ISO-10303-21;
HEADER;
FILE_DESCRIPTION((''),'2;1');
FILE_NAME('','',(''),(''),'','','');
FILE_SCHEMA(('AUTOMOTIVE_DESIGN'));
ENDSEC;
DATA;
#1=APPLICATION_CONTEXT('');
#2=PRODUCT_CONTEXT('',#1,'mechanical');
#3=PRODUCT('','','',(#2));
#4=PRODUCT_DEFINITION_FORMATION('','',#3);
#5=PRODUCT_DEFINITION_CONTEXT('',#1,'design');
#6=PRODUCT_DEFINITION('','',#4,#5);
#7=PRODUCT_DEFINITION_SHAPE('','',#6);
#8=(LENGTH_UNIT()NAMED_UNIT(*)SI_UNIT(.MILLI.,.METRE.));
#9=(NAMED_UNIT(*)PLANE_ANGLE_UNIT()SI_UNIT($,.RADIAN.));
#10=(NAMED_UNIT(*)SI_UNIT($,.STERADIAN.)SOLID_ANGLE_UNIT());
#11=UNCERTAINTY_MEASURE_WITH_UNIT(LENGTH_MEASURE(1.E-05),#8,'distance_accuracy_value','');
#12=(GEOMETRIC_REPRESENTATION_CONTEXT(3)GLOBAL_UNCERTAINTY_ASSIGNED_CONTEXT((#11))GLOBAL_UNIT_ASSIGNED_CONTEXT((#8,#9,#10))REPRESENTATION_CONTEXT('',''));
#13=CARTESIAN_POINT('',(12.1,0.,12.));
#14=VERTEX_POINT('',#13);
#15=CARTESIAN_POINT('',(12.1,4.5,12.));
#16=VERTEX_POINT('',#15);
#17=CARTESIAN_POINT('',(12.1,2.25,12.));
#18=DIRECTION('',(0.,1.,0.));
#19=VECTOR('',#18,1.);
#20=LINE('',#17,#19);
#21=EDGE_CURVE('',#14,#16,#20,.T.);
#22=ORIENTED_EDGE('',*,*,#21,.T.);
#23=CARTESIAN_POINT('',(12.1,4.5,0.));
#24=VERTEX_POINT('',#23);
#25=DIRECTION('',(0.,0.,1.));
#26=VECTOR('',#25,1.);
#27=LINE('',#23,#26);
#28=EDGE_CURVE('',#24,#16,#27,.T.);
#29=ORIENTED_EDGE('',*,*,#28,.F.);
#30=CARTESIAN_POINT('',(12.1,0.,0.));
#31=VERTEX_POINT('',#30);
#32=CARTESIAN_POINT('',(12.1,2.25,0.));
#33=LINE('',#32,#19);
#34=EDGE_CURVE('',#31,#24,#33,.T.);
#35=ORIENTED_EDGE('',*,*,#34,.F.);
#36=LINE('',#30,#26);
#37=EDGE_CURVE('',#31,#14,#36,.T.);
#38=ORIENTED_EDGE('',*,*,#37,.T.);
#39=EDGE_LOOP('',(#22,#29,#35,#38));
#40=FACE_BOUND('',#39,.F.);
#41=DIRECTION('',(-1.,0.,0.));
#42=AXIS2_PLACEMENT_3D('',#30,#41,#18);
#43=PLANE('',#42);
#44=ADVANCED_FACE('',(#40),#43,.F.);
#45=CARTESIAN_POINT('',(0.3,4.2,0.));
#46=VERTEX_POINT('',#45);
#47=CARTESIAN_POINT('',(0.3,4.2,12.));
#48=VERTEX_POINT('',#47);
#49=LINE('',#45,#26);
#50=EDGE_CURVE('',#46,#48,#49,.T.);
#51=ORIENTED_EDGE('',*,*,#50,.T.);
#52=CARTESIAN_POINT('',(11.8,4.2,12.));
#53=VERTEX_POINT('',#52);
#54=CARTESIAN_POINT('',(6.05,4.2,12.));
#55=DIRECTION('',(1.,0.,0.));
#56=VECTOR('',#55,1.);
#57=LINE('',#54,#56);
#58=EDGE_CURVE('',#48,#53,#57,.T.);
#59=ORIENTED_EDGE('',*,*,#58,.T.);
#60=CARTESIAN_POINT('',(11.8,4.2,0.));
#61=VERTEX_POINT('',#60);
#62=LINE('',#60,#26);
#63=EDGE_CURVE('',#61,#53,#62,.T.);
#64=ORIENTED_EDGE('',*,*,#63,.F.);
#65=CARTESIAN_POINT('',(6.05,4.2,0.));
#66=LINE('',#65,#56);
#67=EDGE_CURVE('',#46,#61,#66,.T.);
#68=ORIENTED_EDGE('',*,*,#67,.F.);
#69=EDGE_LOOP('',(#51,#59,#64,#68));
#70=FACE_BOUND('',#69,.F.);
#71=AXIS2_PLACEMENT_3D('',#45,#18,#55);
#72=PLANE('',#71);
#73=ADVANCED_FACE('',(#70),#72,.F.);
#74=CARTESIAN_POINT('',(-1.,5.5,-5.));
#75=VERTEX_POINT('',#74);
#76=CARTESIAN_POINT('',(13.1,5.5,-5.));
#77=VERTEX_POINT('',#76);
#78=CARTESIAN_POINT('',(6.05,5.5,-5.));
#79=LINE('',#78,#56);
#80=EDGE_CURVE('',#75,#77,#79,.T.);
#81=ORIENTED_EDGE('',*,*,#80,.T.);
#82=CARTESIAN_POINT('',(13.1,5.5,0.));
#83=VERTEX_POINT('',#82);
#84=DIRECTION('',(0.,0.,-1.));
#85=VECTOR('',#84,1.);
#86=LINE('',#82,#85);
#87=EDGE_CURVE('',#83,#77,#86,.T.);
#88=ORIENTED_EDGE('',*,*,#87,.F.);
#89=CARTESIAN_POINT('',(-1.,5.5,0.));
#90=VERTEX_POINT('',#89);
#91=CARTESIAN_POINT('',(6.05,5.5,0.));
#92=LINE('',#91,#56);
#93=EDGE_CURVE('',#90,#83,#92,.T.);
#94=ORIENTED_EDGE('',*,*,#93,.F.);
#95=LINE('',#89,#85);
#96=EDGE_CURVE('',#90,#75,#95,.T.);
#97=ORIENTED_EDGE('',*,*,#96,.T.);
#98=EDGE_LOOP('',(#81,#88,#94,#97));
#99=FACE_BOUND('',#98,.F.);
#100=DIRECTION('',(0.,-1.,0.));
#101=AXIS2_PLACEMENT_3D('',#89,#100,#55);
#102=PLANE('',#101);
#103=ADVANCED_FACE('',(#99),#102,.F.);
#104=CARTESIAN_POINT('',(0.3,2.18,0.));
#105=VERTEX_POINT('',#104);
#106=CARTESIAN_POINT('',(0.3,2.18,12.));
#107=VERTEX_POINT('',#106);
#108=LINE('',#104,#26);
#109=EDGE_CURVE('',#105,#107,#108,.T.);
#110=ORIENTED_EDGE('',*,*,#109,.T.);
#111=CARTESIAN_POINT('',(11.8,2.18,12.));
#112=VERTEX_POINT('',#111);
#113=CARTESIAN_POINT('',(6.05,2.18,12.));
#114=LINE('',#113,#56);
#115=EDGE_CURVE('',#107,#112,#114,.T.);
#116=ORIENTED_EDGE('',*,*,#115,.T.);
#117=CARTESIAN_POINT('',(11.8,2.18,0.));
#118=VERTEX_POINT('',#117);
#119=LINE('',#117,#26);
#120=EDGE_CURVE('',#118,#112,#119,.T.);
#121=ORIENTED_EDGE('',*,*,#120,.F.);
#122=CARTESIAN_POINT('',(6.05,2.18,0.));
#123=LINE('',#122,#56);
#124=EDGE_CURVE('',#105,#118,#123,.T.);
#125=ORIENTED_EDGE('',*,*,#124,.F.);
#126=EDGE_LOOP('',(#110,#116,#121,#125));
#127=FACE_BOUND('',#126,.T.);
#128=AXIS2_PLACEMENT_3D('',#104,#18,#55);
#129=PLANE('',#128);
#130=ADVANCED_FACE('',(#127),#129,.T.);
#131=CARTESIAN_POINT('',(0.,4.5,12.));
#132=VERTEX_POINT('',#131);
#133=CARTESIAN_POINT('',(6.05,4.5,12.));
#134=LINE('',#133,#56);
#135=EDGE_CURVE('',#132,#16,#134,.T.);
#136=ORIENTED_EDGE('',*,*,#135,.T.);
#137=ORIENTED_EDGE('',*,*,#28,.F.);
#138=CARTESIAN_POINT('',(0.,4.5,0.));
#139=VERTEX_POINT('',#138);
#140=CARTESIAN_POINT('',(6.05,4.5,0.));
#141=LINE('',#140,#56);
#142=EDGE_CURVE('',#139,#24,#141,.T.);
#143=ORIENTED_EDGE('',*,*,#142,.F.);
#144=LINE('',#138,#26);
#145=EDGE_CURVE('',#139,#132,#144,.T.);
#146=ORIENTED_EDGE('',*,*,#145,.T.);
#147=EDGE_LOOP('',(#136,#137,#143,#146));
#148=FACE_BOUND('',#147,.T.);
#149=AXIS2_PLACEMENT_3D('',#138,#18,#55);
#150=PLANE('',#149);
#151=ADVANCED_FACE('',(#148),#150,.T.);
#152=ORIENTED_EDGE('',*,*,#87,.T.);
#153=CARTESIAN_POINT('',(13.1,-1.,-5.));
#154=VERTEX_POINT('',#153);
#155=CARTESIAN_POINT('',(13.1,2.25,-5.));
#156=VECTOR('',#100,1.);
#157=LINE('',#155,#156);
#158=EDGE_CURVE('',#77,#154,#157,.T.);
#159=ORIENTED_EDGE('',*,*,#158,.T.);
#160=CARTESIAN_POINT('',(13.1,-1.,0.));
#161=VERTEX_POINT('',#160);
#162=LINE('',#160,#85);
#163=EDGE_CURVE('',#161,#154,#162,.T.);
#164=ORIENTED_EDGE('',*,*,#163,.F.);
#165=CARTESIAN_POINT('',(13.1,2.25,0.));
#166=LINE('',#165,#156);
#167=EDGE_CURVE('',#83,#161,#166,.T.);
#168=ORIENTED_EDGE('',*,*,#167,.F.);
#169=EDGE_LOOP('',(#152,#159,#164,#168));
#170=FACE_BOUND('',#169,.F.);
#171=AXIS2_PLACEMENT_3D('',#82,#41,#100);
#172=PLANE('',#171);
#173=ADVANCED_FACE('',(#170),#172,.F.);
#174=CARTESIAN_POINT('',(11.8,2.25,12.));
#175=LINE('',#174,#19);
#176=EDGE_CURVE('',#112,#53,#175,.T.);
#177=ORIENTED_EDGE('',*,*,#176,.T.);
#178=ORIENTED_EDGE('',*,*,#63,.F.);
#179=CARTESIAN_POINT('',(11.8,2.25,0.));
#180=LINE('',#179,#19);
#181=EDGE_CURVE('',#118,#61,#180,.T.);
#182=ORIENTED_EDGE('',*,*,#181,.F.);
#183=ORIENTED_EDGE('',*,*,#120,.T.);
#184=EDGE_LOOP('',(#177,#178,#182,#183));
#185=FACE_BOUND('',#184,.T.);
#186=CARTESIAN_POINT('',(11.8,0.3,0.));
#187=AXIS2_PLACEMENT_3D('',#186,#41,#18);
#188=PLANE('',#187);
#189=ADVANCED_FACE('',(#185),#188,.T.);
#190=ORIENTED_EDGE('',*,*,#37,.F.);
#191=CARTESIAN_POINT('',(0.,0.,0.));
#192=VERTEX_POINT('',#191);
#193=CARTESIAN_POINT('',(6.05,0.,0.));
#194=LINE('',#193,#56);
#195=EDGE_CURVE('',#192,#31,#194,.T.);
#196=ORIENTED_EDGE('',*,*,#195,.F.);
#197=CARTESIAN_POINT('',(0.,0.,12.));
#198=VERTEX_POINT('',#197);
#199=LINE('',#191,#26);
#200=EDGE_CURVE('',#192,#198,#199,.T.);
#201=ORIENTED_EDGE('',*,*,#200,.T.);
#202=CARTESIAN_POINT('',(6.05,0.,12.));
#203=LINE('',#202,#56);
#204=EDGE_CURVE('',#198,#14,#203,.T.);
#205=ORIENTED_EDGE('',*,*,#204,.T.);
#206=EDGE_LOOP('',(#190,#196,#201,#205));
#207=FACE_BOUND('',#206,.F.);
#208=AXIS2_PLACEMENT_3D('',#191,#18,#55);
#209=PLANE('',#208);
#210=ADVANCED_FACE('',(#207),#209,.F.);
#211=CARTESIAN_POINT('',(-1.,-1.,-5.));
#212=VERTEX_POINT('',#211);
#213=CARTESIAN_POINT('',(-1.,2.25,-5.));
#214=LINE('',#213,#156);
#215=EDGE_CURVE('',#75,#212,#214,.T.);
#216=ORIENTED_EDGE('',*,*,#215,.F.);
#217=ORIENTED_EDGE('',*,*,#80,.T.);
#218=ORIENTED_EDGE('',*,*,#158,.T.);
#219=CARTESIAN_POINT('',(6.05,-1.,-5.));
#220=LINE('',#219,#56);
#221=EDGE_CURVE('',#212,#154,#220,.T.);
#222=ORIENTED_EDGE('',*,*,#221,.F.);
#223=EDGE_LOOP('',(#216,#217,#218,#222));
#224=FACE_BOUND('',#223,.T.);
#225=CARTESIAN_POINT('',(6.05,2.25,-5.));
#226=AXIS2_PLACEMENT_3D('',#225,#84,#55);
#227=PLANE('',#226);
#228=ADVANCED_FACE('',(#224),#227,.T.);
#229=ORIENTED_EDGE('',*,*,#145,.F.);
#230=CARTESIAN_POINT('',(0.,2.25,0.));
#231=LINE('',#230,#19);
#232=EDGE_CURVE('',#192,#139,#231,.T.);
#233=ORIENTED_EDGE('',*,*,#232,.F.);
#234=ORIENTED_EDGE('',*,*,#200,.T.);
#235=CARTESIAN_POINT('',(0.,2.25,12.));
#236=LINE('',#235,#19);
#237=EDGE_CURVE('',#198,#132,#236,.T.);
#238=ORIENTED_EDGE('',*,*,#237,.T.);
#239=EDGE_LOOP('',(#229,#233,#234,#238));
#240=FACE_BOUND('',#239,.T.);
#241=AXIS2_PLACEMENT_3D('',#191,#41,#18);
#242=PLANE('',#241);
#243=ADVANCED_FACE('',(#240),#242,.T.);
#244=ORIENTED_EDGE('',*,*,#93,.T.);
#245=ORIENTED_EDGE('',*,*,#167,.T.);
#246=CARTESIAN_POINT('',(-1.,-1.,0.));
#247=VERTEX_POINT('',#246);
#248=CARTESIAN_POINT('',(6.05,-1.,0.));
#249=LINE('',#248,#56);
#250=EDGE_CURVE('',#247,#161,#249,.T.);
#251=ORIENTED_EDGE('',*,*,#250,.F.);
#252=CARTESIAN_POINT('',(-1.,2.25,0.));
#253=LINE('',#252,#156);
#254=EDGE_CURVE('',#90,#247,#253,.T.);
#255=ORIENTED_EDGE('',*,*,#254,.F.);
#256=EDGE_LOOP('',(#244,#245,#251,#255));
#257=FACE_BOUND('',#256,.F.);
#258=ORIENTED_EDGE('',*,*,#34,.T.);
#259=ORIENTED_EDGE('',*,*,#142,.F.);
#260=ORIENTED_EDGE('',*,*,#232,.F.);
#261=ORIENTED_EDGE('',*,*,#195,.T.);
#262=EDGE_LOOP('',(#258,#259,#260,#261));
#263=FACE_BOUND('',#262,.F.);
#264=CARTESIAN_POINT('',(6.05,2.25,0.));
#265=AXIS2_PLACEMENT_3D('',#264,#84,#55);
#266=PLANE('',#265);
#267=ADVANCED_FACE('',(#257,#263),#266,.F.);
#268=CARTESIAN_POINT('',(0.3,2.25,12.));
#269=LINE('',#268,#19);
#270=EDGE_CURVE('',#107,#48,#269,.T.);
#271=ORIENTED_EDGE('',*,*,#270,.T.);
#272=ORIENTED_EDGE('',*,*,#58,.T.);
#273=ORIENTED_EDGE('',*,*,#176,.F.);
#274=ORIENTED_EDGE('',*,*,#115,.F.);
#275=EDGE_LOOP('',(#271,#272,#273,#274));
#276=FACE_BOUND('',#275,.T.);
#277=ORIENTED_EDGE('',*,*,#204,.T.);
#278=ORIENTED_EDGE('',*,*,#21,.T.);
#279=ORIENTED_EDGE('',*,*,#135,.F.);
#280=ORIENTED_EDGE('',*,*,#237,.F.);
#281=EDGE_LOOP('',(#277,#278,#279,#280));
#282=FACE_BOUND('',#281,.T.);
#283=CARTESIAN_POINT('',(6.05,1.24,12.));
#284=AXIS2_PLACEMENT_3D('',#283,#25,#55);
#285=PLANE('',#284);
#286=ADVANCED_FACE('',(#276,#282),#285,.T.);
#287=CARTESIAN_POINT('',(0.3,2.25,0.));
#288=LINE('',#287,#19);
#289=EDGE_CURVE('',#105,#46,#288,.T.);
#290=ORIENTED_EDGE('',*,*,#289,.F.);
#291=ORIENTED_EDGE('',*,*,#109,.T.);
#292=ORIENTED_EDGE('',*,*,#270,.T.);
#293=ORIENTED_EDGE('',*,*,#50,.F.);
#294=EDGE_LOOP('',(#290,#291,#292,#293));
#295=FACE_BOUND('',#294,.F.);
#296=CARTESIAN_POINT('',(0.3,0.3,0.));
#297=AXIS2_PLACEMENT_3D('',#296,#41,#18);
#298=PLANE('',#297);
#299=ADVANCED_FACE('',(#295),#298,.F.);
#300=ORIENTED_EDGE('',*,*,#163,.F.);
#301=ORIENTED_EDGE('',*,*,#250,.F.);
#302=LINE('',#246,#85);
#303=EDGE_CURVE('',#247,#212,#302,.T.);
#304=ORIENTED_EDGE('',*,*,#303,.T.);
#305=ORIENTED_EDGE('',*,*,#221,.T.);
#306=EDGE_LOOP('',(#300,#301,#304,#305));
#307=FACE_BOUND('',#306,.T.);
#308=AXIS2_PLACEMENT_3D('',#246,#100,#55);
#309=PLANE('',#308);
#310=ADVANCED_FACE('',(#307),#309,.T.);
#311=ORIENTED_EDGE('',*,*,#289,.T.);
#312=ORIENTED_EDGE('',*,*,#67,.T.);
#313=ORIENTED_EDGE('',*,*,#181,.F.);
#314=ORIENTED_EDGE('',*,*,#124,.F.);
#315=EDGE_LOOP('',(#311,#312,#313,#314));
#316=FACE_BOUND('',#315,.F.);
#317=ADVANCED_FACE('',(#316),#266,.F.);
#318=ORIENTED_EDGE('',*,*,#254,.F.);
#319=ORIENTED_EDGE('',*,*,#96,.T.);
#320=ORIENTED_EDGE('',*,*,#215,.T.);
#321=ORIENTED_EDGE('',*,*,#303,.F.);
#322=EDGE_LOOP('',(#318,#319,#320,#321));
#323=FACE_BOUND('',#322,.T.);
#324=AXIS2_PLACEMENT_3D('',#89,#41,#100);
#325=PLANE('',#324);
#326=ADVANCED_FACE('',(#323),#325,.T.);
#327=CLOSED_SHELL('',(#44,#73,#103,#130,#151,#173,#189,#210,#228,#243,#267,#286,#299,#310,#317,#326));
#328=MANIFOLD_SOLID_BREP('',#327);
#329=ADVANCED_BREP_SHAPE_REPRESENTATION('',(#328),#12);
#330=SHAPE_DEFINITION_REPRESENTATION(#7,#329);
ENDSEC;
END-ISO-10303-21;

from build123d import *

# Parameters (mm, degrees)
F0_W     = 12.1
F0_H     = 4.5
F0_W_2   = 11.5
F0_H_2   = 3.9
F1_DEPTH = 12
F2_W     = 11.5
F2_H     = 1.88
F3_DEPTH = 12
F4_W     = 14.16
F4_H     = 6.56
F4_W_2   = 12.1
F4_H_2   = 4.5
F5_DEPTH = 5
F7_W     = 14.1
F7_H     = 6.5
F8_DEPTH = 5


with BuildPart() as f1:
    # F0 (on Top) → F1 (new body)
    with BuildSketch(Plane.XY):
        with Locations((6.05, 2.25)):
            Rectangle(F0_W, F0_H)
        with Locations((6.05, 2.25)):
            Rectangle(F0_W_2, F0_H_2, mode=Mode.SUBTRACT)
    extrude(amount=F1_DEPTH)

    # F2 (on Top) → F3 (join)
    with BuildSketch(Plane.XY):
        with Locations((6.05, 1.24)):
            Rectangle(F2_W, F2_H)
    extrude(amount=F3_DEPTH)

    # F7 (on face) → F8 (join)
    with BuildSketch(Plane(origin=(0, 0, 0), x_dir=(1, 0, 0), z_dir=(0, 0, -1))):
        with Locations((6.05, -2.25)):
            Rectangle(F7_W, F7_H)
    extrude(amount=F8_DEPTH)


with BuildPart() as f5:
    # F4 (on face) → F5 (new body)
    with BuildSketch(Plane(origin=(0, 0, 0), x_dir=(1, 0, 0), z_dir=(0, 0, -1))):
        with Locations((6.05, -2.25)):
            Rectangle(F4_W, F4_H)
        with Locations((6.05, -2.25)):
            Rectangle(F4_W_2, F4_H_2, mode=Mode.SUBTRACT)
    extrude(amount=F5_DEPTH)


solid = f1.part
